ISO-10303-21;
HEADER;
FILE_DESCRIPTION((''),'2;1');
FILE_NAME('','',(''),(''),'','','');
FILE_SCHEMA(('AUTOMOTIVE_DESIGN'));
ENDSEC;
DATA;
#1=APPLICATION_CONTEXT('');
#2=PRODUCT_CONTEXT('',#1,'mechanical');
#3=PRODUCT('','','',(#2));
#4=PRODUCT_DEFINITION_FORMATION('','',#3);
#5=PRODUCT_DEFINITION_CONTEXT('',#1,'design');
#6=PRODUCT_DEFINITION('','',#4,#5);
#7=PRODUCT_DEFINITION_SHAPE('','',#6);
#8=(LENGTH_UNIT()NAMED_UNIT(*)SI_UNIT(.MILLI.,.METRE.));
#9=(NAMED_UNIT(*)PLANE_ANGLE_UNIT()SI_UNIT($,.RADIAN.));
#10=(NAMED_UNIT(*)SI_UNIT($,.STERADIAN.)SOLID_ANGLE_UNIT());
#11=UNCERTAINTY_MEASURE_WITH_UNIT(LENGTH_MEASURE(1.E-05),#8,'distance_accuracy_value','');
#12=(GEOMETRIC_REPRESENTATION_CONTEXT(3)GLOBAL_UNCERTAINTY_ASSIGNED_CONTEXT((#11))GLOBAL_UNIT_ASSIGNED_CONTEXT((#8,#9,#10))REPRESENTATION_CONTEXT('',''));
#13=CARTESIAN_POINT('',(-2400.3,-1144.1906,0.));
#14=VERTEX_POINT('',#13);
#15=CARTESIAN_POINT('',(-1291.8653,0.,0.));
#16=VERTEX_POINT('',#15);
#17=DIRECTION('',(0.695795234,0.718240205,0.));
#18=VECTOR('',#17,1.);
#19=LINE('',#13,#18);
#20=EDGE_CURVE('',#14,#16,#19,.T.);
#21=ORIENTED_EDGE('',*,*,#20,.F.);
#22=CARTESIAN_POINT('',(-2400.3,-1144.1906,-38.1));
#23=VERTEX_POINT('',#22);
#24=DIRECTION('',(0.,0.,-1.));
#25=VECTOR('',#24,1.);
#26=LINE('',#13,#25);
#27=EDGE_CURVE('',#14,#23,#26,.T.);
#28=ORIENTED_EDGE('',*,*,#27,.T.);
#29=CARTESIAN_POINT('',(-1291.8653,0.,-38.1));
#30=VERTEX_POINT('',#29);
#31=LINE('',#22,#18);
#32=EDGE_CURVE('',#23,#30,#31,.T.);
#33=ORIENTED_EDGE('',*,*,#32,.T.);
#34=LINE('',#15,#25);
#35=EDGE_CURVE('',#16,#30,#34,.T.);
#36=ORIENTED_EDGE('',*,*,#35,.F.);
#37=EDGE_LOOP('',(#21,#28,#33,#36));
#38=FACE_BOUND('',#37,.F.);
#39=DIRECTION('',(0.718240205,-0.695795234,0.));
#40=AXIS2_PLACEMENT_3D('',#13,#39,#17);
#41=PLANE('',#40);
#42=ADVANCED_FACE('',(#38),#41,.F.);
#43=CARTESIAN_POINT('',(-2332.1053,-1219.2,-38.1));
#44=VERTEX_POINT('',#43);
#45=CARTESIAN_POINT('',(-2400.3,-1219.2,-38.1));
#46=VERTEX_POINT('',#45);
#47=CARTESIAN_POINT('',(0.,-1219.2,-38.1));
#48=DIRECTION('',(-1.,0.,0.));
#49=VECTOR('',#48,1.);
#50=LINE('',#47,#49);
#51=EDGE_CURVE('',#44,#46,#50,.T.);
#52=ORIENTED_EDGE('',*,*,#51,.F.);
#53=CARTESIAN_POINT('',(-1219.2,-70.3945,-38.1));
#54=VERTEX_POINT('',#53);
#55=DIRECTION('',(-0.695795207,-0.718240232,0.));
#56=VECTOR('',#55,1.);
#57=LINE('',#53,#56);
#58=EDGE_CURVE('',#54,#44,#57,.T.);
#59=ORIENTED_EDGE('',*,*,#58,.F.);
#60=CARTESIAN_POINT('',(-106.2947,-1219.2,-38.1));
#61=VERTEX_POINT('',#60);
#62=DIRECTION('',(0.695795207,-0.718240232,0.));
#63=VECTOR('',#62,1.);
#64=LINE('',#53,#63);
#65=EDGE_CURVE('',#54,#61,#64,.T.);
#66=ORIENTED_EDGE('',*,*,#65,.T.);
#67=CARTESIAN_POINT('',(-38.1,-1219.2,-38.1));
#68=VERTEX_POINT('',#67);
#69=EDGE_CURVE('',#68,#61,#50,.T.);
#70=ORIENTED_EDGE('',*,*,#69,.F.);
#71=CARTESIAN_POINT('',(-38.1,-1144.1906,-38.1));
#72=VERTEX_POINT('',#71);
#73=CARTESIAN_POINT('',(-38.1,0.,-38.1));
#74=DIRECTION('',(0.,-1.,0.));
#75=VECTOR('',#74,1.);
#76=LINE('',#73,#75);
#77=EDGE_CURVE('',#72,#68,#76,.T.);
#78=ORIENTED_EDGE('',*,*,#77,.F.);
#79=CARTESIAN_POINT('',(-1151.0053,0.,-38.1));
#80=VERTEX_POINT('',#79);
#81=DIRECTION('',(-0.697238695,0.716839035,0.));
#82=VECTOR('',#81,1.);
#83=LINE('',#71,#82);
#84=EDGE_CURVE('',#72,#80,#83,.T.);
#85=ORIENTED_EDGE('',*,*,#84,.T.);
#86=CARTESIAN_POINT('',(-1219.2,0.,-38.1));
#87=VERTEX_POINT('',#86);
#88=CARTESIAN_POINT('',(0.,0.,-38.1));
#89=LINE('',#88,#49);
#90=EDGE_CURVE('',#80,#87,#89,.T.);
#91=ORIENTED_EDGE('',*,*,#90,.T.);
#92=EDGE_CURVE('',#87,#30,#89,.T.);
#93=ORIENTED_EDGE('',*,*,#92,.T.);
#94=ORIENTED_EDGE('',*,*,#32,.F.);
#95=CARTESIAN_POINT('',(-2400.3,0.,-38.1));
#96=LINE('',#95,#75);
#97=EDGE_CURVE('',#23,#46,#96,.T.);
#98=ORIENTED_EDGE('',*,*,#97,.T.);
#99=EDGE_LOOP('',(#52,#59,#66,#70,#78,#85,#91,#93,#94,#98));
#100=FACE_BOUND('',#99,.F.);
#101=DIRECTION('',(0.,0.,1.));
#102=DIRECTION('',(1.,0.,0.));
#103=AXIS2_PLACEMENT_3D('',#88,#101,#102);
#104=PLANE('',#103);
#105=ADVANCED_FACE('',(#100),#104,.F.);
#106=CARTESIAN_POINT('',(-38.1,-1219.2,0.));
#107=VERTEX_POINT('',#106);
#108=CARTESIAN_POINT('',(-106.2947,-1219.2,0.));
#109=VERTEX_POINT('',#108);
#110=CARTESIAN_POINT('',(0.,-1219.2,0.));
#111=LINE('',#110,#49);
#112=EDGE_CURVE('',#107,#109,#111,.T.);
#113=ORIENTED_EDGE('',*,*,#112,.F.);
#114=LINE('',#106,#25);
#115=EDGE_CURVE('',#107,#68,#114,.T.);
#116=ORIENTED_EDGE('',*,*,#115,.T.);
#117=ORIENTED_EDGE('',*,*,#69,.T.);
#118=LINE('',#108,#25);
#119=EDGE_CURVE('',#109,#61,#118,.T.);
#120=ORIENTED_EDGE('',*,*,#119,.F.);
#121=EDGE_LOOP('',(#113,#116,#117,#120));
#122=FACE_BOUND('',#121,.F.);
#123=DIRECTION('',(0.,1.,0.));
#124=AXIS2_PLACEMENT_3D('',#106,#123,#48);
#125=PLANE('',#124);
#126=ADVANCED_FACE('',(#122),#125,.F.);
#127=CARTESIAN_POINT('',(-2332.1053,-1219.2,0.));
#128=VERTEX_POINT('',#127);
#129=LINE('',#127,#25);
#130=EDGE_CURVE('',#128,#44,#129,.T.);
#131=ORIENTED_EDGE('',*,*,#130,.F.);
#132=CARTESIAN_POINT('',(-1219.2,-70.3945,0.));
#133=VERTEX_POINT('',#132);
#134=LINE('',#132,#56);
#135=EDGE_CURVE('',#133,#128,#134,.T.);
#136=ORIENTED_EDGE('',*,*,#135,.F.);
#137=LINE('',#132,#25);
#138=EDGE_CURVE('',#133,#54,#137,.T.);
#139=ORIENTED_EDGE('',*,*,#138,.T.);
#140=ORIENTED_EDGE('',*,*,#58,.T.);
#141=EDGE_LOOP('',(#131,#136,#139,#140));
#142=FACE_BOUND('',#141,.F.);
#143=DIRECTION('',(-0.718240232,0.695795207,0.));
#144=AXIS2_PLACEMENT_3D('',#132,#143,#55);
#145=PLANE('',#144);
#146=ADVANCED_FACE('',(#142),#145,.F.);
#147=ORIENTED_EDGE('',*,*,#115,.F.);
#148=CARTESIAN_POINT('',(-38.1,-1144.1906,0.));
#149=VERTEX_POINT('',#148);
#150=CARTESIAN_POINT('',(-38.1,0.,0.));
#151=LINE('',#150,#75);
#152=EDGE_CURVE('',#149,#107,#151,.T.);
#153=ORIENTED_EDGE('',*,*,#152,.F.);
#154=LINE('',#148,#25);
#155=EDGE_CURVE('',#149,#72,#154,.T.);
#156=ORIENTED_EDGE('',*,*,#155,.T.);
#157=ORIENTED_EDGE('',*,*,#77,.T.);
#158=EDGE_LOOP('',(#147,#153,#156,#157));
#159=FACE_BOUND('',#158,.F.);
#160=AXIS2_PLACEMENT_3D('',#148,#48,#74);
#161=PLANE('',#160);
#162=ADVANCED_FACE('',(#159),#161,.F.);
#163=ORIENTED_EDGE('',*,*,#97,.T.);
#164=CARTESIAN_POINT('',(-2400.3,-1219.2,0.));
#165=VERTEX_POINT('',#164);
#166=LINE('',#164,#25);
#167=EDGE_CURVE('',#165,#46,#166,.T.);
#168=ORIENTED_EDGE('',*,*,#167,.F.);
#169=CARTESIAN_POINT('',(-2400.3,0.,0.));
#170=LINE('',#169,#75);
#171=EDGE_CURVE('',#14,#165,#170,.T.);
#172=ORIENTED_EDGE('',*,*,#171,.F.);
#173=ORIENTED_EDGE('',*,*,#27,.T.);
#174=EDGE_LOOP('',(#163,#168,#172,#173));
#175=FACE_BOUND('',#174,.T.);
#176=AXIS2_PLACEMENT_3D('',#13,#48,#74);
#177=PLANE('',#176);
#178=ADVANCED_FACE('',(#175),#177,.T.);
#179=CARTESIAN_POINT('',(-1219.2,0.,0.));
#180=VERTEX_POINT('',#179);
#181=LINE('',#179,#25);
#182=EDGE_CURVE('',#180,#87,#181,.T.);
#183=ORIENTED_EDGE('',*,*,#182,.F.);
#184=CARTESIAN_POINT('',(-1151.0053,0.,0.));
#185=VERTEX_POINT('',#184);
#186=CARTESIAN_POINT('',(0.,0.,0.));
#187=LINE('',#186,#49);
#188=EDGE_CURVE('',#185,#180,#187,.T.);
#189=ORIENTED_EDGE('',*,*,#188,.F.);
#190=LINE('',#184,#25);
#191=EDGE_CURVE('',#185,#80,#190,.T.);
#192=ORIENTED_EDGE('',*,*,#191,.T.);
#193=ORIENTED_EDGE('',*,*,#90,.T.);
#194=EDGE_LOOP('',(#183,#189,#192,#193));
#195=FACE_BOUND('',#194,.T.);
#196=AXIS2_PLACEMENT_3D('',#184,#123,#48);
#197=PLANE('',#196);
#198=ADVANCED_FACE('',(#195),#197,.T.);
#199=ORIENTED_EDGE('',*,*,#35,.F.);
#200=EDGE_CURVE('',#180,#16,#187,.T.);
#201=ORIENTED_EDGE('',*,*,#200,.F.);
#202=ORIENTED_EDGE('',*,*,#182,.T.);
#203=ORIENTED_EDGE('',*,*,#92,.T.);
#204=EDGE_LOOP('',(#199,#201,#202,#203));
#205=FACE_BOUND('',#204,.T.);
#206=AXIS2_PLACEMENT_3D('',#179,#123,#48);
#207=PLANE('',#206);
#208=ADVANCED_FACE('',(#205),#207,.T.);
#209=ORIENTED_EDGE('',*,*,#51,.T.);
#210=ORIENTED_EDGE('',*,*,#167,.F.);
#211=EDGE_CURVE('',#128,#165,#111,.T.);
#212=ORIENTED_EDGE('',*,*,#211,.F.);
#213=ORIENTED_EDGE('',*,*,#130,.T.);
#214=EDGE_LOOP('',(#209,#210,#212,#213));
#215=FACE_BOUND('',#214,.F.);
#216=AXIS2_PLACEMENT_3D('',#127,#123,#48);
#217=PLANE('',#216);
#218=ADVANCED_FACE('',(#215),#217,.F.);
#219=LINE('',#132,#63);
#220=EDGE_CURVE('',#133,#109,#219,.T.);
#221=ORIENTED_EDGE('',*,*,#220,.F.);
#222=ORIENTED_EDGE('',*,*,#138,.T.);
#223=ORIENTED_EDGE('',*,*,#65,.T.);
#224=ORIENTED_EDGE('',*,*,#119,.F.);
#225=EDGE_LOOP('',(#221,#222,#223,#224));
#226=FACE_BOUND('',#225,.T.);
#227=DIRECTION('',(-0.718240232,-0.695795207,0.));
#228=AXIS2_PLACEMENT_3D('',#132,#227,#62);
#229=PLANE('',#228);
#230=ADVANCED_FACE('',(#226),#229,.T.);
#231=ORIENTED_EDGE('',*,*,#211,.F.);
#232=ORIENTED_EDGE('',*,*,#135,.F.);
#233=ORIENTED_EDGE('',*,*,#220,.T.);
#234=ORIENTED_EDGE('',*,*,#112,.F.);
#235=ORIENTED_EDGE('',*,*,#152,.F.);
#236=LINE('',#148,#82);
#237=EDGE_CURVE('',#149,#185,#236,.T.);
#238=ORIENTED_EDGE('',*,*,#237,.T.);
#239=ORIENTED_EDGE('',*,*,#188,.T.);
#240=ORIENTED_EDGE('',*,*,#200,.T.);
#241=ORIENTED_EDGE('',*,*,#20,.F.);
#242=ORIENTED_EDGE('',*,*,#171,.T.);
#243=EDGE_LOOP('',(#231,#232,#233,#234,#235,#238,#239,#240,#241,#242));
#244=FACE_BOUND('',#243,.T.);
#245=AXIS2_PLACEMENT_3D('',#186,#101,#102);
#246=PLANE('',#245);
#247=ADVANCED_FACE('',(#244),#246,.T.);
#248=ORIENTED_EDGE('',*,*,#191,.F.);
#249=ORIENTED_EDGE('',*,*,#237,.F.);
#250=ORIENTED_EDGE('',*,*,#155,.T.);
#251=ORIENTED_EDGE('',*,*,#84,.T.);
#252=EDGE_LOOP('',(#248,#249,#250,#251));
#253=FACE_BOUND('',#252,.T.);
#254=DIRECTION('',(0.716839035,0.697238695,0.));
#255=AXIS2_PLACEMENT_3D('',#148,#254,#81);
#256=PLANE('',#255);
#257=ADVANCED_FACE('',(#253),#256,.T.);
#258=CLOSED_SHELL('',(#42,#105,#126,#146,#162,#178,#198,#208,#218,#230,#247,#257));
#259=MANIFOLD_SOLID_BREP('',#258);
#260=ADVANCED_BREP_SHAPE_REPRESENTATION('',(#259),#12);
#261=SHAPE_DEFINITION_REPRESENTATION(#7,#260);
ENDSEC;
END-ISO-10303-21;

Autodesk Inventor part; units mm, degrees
ref_plane "YZ Plane" through (0, 0, 0) normal (1, 0, 0) x (0, 1, 0)
ref_plane "XZ Plane" through (0, 0, 0) normal (0, 1, 0) x (-1, 0, 0)
ref_plane "XY Plane" through (0, 0, 0) normal (0, 0, 1) x (1, 0, 0)
sketch "Sketch1" plane through (0, 0, 0) normal (0, 0, 1) x (1, 0, 0)
  line L0 (0, 0) -> (-2438.4, 0) projected
  line L1 (-38.1, 0) -> (-38.1, -1219.2) projected
  line L2 (0, -1219.2) -> (-2438.4, -1219.2) projected
  line L3 (-2400.3, 0) -> (-2400.3, -1219.2) projected
  line L4 (-2400.3, -1219.2) -> (-2400.3, -1144.1906)
  line L5 (-2400.3, -1144.1906) -> (-1291.8653, 0)
  line L6 (-1219.2, 0) -> (-1291.8653, 0)
  line L7 (-1219.2, -70.3945) -> (-2332.1053, -1219.2)
  line L8 (-2332.1053, -1219.2) -> (-2400.3, -1219.2)
  line L9 (-1219.2, -70.3945) -> (-106.2947, -1219.2)
  line L10 (-38.1, -1219.2) -> (-106.2947, -1219.2)
  line L11 (-38.1, -1219.2) -> (-38.1, -1144.1906)
  line L12 (-38.1, -1144.1906) -> (-1151.0053, 0)
  line L13 (-1219.2, 0) -> (-1151.0053, 0)
extrude "Extrusion1" add sketch "Sketch1" against normal blind 38.1 contours L12 L1 L2 L9 L7 L3 L5 L0
properties part number "48x2x4-2"
